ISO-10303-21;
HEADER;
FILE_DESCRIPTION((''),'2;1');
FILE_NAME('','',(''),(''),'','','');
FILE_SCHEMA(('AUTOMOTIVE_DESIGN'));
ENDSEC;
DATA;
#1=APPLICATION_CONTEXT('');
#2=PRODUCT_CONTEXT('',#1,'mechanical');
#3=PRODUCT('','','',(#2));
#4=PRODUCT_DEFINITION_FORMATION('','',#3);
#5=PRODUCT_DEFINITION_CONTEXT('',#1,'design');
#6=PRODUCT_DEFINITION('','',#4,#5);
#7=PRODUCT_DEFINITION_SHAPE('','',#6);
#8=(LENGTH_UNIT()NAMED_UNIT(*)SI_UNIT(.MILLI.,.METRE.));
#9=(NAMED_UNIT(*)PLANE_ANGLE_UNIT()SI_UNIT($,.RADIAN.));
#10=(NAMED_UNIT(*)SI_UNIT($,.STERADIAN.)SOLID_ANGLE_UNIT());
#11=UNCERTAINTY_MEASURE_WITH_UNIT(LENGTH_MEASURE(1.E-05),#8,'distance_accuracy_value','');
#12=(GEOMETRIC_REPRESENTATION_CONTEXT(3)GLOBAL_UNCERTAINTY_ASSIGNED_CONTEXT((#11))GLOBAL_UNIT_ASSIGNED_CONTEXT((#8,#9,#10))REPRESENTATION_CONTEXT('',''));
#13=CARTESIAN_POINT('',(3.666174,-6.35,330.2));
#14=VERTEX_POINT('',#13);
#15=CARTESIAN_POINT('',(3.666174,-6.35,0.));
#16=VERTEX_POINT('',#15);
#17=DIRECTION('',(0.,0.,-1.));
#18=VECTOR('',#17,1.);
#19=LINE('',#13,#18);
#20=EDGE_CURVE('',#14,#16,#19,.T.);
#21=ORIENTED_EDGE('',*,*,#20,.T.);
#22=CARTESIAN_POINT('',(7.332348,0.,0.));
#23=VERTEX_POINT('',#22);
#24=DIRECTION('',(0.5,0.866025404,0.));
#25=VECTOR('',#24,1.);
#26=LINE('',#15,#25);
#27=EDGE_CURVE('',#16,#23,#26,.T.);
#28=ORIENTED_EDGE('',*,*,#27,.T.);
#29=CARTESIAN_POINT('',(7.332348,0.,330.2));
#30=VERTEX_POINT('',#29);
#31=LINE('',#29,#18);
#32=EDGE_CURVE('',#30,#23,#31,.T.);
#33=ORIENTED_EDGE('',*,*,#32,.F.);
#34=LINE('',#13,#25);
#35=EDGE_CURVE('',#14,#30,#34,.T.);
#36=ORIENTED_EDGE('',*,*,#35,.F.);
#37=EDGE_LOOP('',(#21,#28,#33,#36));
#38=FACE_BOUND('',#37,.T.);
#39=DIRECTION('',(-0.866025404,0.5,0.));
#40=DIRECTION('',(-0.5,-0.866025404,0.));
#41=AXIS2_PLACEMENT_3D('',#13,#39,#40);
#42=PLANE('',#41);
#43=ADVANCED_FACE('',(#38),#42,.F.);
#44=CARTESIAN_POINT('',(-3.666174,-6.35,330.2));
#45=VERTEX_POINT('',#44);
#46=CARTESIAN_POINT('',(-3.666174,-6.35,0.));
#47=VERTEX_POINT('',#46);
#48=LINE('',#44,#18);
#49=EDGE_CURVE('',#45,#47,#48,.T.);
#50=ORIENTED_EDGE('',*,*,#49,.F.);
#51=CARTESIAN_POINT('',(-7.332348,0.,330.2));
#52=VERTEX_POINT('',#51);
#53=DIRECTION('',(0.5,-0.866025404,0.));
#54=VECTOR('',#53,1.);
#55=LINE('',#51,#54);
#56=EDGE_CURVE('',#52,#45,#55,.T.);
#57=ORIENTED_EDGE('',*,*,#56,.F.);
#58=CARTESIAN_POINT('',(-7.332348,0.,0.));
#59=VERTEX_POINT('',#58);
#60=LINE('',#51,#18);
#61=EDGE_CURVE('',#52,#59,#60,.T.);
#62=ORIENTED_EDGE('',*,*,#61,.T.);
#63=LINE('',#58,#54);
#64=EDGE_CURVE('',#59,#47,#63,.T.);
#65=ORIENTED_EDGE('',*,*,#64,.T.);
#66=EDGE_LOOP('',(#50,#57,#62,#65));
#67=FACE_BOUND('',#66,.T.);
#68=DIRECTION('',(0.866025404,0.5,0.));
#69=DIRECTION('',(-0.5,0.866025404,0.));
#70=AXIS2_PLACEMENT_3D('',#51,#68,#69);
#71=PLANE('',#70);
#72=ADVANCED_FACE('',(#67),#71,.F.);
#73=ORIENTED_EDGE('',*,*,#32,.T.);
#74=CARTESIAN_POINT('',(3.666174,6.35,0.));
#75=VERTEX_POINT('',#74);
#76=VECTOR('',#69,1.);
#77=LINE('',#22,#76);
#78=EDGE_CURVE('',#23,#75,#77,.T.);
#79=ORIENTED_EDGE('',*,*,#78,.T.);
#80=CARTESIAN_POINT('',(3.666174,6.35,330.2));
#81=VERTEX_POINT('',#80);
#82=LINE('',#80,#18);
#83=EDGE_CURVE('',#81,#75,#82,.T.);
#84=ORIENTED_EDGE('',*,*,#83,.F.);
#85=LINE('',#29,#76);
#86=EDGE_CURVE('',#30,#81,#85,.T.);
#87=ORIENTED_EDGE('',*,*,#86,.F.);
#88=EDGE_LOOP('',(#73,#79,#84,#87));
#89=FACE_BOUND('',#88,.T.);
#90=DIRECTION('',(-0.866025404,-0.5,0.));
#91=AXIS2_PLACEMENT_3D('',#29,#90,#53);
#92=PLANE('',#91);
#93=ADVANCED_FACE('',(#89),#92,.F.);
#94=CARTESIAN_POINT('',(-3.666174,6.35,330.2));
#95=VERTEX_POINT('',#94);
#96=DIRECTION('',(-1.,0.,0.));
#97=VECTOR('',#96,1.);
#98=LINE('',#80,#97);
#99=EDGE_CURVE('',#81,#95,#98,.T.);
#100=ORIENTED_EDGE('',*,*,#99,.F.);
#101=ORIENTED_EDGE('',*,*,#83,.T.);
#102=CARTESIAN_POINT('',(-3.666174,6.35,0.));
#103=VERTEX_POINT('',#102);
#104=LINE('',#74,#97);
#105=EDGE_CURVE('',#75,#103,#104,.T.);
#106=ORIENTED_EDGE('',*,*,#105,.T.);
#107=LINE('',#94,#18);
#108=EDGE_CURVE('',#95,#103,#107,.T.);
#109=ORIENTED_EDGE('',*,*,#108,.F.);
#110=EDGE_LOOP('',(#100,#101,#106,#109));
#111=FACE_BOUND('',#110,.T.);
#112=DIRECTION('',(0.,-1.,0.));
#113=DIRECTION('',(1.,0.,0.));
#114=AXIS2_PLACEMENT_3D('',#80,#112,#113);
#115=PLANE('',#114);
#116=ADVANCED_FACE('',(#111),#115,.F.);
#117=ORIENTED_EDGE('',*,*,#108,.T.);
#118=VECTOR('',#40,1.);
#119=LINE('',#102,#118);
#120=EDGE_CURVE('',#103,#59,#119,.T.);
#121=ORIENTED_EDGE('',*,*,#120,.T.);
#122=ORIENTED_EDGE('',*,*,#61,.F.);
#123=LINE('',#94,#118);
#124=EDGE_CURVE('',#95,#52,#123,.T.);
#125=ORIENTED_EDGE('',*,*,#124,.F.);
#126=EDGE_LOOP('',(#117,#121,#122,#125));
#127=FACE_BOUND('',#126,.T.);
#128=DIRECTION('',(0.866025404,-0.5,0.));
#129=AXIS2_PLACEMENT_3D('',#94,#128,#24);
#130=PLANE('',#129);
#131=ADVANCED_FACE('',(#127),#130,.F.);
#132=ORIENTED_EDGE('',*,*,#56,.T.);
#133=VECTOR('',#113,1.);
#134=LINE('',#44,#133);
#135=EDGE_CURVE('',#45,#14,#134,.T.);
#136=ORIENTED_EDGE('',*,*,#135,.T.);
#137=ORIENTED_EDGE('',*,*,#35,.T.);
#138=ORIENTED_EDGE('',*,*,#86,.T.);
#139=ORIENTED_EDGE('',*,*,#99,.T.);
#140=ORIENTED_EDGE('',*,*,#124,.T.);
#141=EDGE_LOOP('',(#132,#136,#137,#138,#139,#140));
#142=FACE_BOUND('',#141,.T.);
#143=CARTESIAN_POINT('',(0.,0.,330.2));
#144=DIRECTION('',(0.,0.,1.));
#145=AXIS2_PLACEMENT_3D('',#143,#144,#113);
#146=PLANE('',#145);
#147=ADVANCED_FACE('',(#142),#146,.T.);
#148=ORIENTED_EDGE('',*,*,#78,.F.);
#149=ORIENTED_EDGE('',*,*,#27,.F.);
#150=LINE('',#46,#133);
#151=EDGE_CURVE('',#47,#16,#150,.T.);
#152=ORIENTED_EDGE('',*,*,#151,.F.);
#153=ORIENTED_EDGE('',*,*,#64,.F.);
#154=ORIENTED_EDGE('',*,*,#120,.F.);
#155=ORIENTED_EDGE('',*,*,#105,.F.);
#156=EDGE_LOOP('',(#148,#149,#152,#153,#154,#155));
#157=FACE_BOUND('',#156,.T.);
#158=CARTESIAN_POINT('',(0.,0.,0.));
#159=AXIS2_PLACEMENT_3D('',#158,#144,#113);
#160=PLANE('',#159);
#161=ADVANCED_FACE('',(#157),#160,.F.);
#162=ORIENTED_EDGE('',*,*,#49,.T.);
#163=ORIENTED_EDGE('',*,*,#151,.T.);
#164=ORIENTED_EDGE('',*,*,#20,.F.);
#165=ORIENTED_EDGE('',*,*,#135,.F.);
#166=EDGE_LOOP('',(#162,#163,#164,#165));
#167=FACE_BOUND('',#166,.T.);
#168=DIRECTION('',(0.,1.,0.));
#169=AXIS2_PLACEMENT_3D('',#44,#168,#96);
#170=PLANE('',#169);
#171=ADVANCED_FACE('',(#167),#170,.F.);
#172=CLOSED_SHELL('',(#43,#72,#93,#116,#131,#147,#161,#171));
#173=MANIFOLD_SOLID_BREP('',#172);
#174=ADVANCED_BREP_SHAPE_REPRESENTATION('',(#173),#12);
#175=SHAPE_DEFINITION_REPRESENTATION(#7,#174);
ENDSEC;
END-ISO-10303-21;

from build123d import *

# Parameters (mm, degrees)
BOSS_EXTRUDE1_DEPTH = 330.2


with BuildPart() as part:
    # Sketch1 → Boss-Extrude1 (new body)
    with BuildSketch(Plane.XY):
        Polygon((-3.666174209, 6.35), (-7.332348419, 0), (-3.666174209, -6.35), (3.666174209, -6.35), (7.332348419, 0), (3.666174209, 6.35), align=None)
    extrude(amount=BOSS_EXTRUDE1_DEPTH)


solid = part.part
